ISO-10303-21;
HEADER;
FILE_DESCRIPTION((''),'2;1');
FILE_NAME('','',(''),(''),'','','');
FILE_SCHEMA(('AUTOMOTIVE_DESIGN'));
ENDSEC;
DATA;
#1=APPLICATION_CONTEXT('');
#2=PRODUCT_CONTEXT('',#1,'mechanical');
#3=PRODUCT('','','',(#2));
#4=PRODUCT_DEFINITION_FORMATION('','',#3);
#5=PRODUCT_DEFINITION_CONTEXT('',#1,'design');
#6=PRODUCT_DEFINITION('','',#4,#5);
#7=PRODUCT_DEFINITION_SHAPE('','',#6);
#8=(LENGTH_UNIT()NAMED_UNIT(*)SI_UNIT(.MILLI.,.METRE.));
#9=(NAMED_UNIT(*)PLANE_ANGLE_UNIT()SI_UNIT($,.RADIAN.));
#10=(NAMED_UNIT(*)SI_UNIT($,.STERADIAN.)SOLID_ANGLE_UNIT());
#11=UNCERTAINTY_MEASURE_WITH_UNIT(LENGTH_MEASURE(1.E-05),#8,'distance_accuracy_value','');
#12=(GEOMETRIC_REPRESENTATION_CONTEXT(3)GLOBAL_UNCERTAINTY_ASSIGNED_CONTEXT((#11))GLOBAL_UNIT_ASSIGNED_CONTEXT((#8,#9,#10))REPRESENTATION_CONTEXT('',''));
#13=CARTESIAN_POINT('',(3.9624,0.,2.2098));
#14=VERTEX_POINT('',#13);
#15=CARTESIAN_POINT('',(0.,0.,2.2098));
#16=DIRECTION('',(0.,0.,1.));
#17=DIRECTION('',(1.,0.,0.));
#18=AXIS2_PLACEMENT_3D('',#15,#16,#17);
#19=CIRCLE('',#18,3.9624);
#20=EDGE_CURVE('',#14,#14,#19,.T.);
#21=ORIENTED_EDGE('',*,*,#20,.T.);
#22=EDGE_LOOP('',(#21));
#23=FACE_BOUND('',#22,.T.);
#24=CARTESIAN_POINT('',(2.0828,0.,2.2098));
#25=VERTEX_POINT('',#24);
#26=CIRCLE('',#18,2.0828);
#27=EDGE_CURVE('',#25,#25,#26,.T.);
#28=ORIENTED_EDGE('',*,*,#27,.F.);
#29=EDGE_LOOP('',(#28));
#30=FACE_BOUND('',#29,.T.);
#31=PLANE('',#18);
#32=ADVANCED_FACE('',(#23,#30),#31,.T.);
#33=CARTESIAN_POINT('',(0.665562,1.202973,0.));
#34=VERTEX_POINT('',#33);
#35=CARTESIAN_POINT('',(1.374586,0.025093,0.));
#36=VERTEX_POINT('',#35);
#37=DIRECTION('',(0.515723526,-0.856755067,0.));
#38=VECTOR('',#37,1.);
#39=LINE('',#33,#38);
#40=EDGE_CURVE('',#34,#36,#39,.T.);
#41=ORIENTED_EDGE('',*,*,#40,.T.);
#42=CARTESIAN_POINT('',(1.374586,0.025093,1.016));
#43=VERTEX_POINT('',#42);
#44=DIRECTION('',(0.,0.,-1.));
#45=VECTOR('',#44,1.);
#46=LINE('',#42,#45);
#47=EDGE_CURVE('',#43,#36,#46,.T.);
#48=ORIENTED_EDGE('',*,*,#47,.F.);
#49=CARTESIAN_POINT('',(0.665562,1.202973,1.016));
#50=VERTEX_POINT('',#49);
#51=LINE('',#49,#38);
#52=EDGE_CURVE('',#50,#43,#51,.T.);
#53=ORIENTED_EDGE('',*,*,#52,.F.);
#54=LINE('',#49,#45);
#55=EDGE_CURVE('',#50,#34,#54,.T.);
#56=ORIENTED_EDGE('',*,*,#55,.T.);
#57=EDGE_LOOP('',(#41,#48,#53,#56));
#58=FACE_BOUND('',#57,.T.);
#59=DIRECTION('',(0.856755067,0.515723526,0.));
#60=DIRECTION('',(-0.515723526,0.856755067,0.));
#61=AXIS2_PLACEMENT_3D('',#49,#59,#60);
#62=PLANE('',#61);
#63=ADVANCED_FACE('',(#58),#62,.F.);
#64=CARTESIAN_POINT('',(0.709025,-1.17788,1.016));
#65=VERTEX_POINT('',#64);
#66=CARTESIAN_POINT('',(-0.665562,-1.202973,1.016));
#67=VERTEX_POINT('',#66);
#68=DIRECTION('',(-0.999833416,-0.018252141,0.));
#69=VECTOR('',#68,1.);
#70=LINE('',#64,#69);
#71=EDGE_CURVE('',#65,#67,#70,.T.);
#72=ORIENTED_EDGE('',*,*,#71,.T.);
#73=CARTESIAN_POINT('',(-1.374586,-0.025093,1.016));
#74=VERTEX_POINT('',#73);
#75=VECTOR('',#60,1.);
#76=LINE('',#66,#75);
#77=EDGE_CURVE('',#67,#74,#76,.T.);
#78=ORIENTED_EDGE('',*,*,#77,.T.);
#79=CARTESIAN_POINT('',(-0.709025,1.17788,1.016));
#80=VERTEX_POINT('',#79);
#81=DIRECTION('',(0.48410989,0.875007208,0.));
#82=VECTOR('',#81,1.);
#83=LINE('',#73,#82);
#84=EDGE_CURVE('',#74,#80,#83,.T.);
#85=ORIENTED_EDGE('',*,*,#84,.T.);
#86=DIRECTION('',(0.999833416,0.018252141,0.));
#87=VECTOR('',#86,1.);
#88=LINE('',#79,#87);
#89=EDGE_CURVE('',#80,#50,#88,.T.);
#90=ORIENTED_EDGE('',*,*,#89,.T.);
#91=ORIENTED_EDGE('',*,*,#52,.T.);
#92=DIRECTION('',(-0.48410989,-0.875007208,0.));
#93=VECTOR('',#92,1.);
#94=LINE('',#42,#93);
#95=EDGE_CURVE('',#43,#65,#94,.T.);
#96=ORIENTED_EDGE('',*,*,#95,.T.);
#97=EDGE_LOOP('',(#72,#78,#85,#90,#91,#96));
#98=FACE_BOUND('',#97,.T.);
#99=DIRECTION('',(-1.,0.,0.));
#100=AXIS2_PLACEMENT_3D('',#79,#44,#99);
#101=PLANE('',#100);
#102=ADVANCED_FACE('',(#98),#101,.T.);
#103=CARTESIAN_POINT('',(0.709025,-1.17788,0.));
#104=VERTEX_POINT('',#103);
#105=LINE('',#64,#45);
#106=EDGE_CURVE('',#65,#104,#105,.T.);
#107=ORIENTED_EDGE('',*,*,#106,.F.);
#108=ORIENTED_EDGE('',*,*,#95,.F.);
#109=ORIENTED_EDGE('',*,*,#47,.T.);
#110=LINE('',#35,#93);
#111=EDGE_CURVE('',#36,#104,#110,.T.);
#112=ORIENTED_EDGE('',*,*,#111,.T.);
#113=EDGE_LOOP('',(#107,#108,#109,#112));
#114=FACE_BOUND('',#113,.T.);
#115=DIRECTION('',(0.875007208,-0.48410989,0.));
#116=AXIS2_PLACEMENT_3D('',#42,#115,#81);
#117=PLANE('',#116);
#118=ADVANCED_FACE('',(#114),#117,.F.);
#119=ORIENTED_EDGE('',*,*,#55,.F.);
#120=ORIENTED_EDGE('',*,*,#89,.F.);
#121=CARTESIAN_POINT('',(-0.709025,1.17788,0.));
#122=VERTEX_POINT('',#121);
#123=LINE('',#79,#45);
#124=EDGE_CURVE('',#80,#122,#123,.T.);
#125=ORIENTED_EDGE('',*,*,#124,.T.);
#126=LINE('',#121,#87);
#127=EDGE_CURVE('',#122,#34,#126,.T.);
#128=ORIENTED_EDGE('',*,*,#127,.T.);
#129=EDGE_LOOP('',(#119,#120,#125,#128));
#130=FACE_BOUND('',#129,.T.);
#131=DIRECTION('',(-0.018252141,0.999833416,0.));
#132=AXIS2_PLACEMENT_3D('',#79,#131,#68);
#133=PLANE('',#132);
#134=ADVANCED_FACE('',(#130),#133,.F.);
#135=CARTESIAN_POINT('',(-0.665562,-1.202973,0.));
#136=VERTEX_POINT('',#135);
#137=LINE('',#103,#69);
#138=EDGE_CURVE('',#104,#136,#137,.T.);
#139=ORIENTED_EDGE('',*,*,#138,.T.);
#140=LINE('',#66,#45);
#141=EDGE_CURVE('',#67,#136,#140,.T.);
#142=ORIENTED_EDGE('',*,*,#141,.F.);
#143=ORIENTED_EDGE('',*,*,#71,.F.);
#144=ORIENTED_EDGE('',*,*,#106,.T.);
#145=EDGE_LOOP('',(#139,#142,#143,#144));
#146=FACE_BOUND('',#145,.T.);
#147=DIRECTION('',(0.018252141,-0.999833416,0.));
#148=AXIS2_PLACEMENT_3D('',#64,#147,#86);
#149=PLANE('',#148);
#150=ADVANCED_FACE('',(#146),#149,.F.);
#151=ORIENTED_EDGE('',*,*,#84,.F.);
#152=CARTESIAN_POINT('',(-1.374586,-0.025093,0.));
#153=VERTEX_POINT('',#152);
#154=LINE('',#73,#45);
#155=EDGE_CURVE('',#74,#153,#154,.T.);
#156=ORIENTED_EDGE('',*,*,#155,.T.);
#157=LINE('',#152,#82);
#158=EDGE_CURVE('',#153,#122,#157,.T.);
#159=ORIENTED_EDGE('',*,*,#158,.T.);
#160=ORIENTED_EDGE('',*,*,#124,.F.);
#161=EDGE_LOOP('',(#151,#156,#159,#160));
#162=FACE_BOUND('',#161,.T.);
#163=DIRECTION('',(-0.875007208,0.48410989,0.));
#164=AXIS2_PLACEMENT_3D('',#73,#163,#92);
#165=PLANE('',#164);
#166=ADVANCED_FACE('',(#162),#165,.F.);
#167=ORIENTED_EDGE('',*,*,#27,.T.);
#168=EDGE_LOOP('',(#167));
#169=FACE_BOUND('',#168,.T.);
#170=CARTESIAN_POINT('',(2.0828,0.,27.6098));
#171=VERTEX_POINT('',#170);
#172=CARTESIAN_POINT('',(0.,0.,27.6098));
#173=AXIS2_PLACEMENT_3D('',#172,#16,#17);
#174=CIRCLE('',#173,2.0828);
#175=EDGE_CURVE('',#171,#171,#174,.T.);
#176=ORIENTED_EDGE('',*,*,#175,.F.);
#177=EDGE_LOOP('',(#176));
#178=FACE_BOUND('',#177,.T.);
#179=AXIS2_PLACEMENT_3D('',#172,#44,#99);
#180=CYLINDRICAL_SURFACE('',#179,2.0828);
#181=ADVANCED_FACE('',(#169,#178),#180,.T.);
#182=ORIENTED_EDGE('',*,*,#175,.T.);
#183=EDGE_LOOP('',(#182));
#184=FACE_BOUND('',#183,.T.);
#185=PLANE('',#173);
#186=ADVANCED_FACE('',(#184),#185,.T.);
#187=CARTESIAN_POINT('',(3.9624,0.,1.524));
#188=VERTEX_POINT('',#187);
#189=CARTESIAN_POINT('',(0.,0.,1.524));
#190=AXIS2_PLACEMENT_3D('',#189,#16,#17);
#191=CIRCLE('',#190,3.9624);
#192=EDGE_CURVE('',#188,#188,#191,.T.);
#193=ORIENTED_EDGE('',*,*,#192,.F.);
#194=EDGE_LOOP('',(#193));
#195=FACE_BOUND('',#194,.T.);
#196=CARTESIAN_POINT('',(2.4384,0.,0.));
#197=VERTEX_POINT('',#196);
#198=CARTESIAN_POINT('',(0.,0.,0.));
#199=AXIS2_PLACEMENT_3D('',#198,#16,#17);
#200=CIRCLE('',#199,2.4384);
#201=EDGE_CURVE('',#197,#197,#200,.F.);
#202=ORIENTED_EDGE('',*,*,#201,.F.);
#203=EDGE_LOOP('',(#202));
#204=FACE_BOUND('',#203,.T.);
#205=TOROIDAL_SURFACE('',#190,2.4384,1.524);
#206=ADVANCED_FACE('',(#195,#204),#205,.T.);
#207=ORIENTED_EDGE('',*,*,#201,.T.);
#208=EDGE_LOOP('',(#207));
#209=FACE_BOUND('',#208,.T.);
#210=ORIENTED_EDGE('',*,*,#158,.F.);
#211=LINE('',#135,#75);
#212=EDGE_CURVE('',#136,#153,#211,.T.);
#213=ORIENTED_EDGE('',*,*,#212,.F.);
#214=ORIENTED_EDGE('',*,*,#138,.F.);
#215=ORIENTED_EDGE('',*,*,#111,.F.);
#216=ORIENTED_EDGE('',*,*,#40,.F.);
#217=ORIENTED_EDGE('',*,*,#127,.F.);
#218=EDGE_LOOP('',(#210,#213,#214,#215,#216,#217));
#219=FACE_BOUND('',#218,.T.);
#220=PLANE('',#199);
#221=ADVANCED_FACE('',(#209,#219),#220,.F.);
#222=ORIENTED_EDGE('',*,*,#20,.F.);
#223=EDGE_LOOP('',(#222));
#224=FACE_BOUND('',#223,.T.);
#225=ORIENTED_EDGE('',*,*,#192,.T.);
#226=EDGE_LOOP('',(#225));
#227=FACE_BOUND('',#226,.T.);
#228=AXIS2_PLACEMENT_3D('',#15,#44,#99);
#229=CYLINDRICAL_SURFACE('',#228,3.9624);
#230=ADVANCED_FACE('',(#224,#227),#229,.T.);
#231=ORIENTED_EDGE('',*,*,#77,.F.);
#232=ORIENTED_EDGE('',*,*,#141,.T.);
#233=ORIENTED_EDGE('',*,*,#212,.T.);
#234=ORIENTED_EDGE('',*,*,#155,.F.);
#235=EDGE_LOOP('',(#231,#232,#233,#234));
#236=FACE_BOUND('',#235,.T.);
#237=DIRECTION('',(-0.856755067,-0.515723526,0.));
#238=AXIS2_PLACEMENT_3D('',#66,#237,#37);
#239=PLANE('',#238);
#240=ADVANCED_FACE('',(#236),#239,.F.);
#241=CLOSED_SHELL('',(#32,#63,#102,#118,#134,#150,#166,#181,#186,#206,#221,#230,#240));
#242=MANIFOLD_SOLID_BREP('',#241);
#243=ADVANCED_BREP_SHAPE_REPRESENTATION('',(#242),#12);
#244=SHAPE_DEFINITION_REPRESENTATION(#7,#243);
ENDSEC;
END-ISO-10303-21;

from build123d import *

# Parameters (mm, degrees)
SKETCH1_R      = 3.9624
EXTRUDE1_DEPTH = 2.2098
FILLET1_R      = 1.524
SKETCH2_R      = 2.0828
EXTRUDE2_DEPTH = 25.4
EXTRUDE3_DEPTH = 1.016


with BuildPart() as part:
    # Sketch1 → Extrude1 (new body)
    with BuildSketch(Plane.XY):
        Circle(SKETCH1_R)
    extrude(amount=EXTRUDE1_DEPTH)

    # Fillet1
    fillet1_edges = [part.edges().sort_by_distance(p)[0] for p in [
        (-3.9624, 0, 0),
    ]]
    fillet(fillet1_edges, radius=FILLET1_R)

    # Sketch2 → Extrude2 (add)
    with BuildSketch(Plane.XY.offset(2.2098)):
        Circle(SKETCH2_R)
    extrude(amount=EXTRUDE2_DEPTH)

    # Sketch3 → Extrude3 (cut)
    with BuildSketch(Plane(origin=(0, 0, 0), x_dir=(-1, 0, 0), z_dir=(0, 0, -1))):
        Polygon((0.709024608, 1.177879999), (-0.665561698, 1.202973322), (-1.374586306, 0.025093323), (-0.709024608, -1.177879999), (0.665561698, -1.202973322), (1.374586306, -0.025093323), align=None)
    extrude(amount=-EXTRUDE3_DEPTH, mode=Mode.SUBTRACT)


solid = part.part
